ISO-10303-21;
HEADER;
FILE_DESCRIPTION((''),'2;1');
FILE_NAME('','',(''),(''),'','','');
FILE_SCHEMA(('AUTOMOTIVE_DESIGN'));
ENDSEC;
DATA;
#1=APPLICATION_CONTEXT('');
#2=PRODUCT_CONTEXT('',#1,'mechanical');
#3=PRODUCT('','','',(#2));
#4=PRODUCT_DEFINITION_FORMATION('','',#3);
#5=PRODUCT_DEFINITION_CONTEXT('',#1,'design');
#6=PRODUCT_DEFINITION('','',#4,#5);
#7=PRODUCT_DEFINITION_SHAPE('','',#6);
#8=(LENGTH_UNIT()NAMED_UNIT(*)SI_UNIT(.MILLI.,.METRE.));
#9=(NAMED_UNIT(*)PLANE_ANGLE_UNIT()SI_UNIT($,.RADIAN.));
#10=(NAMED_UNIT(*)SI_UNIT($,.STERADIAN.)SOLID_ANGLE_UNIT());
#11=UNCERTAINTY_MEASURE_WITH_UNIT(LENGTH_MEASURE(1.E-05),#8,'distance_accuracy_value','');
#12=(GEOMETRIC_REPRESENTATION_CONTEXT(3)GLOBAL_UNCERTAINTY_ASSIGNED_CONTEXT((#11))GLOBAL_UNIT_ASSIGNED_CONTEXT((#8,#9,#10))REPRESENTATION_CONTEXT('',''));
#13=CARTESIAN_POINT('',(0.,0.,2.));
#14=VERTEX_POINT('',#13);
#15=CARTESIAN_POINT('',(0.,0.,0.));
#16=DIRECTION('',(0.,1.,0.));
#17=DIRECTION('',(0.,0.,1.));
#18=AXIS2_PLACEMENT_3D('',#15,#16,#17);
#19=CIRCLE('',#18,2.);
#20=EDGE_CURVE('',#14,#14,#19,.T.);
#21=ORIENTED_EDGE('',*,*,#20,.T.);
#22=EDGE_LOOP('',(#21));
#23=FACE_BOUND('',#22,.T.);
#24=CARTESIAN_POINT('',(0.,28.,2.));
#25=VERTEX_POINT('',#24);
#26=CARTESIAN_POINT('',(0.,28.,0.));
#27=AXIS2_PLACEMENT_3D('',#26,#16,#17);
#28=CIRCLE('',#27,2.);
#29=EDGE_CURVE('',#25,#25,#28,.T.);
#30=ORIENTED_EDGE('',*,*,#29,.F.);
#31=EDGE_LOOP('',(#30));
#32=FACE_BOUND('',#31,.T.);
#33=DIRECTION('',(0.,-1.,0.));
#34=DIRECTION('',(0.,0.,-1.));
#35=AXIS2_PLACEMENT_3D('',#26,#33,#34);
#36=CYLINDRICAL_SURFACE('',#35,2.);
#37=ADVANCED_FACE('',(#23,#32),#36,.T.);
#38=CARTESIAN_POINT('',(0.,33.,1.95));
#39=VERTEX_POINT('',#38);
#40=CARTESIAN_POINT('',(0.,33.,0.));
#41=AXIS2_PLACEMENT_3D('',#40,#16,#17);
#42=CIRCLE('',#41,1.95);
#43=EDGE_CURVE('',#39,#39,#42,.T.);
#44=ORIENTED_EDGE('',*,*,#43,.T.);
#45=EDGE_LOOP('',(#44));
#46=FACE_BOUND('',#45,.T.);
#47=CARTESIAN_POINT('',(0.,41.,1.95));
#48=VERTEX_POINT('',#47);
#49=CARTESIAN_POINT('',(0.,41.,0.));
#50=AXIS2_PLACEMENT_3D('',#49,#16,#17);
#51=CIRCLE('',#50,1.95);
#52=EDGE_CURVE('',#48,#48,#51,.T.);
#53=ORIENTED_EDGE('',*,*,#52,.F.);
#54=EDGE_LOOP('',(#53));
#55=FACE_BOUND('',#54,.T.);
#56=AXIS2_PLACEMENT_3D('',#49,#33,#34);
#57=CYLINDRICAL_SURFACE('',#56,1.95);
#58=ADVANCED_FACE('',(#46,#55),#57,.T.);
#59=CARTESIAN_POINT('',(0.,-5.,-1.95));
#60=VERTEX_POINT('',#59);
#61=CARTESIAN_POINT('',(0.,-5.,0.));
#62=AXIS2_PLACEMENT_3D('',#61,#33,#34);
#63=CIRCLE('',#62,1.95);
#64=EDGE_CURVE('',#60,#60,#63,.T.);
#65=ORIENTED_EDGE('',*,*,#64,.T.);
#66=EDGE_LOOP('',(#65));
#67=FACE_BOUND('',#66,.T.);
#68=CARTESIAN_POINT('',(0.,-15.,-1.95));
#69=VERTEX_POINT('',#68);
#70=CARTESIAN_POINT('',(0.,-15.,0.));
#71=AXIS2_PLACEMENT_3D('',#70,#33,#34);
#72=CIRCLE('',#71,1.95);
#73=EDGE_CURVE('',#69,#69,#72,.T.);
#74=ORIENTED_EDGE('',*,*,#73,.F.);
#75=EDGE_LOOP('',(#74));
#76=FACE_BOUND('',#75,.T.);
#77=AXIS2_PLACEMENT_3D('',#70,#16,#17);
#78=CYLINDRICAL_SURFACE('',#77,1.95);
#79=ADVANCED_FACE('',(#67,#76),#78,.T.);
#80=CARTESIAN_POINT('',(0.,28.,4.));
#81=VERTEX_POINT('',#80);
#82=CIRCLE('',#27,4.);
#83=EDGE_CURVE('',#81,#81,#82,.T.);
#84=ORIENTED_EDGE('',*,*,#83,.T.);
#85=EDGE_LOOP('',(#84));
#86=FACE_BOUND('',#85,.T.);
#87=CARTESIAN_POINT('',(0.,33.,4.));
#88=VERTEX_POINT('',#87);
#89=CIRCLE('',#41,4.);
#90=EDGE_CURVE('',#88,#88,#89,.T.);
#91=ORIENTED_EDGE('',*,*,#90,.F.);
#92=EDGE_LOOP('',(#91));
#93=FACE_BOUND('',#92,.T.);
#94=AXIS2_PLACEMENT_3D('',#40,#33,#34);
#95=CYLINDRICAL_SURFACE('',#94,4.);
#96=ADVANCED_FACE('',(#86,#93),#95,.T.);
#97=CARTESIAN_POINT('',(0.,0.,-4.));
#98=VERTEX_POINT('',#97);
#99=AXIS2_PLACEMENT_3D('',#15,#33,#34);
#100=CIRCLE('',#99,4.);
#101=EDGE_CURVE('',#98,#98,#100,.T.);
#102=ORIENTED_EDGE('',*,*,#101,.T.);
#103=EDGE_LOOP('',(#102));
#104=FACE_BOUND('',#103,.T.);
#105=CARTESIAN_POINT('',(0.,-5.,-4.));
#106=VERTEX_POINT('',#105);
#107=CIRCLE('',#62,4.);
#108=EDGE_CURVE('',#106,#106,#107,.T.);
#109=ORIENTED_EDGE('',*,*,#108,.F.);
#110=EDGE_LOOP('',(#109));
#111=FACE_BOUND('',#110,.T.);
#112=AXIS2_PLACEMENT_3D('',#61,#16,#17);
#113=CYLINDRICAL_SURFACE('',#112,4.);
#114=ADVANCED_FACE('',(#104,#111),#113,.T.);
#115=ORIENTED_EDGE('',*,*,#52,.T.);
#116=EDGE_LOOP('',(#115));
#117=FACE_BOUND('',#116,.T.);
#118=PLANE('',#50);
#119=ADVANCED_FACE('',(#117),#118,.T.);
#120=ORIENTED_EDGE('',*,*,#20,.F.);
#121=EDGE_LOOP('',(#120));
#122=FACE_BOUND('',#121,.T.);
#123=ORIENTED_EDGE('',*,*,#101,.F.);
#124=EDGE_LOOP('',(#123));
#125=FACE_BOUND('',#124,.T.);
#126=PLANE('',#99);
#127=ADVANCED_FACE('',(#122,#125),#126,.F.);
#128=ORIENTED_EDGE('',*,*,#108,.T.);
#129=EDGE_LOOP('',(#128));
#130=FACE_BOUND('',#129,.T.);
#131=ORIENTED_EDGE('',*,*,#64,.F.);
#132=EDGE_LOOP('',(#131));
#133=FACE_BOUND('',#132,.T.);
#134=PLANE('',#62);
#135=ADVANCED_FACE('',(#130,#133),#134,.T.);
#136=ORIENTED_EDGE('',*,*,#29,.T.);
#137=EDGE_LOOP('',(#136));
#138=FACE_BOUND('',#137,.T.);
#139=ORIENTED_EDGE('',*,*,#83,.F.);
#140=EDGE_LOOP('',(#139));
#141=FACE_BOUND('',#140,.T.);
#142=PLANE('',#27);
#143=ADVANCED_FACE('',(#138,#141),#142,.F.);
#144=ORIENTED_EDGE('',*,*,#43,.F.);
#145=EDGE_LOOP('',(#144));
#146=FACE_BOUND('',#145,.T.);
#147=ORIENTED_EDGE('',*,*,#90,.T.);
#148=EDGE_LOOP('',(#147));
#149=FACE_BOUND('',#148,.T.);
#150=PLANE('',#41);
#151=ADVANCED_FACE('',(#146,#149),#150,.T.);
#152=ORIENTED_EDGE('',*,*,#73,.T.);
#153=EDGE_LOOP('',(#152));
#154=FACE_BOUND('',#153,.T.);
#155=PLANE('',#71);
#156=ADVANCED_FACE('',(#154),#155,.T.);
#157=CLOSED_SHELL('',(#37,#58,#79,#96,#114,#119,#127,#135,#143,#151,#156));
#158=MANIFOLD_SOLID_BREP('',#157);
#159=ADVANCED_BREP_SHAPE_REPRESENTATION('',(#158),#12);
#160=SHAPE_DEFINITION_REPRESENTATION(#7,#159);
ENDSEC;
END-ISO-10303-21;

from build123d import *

# Parameters (mm, degrees)
SKETCH1_R           = 2
BOSS_EXTRUDE1_DEPTH = 28
SKETCH2_R           = 4
BOSS_EXTRUDE2_DEPTH = 5
SKETCH3_R           = 1.95
BOSS_EXTRUDE3_DEPTH = 10
BOSS_EXTRUDE5_START = 5
SKETCH7_R           = 4
BOSS_EXTRUDE5_DEPTH = 5
BOSS_EXTRUDE6_START = 8
SKETCH8_R           = 1.95
BOSS_EXTRUDE6_DEPTH = 8


with BuildPart() as part:
    # Sketch1 → Boss-Extrude1 (new body)
    with BuildSketch(Plane(origin=(0, 0, 0), x_dir=(1, 0, 0), z_dir=(0, 1, 0))):
        with Locations(Location((0, 0, 0), (0, 0, 270))):
            Circle(SKETCH1_R)
    extrude(amount=BOSS_EXTRUDE1_DEPTH)

    # Sketch2 → Boss-Extrude2 (add)
    with BuildSketch(Plane.XZ):
        with Locations(Location((0, 0, 0), (0, 0, 270))):
            Circle(SKETCH2_R)
    extrude(amount=BOSS_EXTRUDE2_DEPTH)

    # Sketch3 → Boss-Extrude3 (add)
    with BuildSketch(Plane.XZ.offset(5)):
        with Locations(Location((0, 0, 0), (0, 0, 270))):
            Circle(SKETCH3_R)
    extrude(amount=BOSS_EXTRUDE3_DEPTH)

    # Sketch7 → Boss-Extrude5 (add)
    with BuildSketch(Plane(origin=(0, 28, 0), x_dir=(1, 0, 0), z_dir=(0, 1, 0)).offset(BOSS_EXTRUDE5_START)):
        with Locations(Location((0, 0, 0), (0, 0, 90))):
            Circle(SKETCH7_R)
    extrude(amount=-BOSS_EXTRUDE5_DEPTH)

    # Sketch8 → Boss-Extrude6 (add)
    with BuildSketch(Plane(origin=(0, 33, 0), x_dir=(1, 0, 0), z_dir=(0, 1, 0)).offset(BOSS_EXTRUDE6_START)):
        with Locations(Location((0, 0, 0), (0, 0, 90))):
            Circle(SKETCH8_R)
    extrude(amount=-BOSS_EXTRUDE6_DEPTH)


solid = part.part
